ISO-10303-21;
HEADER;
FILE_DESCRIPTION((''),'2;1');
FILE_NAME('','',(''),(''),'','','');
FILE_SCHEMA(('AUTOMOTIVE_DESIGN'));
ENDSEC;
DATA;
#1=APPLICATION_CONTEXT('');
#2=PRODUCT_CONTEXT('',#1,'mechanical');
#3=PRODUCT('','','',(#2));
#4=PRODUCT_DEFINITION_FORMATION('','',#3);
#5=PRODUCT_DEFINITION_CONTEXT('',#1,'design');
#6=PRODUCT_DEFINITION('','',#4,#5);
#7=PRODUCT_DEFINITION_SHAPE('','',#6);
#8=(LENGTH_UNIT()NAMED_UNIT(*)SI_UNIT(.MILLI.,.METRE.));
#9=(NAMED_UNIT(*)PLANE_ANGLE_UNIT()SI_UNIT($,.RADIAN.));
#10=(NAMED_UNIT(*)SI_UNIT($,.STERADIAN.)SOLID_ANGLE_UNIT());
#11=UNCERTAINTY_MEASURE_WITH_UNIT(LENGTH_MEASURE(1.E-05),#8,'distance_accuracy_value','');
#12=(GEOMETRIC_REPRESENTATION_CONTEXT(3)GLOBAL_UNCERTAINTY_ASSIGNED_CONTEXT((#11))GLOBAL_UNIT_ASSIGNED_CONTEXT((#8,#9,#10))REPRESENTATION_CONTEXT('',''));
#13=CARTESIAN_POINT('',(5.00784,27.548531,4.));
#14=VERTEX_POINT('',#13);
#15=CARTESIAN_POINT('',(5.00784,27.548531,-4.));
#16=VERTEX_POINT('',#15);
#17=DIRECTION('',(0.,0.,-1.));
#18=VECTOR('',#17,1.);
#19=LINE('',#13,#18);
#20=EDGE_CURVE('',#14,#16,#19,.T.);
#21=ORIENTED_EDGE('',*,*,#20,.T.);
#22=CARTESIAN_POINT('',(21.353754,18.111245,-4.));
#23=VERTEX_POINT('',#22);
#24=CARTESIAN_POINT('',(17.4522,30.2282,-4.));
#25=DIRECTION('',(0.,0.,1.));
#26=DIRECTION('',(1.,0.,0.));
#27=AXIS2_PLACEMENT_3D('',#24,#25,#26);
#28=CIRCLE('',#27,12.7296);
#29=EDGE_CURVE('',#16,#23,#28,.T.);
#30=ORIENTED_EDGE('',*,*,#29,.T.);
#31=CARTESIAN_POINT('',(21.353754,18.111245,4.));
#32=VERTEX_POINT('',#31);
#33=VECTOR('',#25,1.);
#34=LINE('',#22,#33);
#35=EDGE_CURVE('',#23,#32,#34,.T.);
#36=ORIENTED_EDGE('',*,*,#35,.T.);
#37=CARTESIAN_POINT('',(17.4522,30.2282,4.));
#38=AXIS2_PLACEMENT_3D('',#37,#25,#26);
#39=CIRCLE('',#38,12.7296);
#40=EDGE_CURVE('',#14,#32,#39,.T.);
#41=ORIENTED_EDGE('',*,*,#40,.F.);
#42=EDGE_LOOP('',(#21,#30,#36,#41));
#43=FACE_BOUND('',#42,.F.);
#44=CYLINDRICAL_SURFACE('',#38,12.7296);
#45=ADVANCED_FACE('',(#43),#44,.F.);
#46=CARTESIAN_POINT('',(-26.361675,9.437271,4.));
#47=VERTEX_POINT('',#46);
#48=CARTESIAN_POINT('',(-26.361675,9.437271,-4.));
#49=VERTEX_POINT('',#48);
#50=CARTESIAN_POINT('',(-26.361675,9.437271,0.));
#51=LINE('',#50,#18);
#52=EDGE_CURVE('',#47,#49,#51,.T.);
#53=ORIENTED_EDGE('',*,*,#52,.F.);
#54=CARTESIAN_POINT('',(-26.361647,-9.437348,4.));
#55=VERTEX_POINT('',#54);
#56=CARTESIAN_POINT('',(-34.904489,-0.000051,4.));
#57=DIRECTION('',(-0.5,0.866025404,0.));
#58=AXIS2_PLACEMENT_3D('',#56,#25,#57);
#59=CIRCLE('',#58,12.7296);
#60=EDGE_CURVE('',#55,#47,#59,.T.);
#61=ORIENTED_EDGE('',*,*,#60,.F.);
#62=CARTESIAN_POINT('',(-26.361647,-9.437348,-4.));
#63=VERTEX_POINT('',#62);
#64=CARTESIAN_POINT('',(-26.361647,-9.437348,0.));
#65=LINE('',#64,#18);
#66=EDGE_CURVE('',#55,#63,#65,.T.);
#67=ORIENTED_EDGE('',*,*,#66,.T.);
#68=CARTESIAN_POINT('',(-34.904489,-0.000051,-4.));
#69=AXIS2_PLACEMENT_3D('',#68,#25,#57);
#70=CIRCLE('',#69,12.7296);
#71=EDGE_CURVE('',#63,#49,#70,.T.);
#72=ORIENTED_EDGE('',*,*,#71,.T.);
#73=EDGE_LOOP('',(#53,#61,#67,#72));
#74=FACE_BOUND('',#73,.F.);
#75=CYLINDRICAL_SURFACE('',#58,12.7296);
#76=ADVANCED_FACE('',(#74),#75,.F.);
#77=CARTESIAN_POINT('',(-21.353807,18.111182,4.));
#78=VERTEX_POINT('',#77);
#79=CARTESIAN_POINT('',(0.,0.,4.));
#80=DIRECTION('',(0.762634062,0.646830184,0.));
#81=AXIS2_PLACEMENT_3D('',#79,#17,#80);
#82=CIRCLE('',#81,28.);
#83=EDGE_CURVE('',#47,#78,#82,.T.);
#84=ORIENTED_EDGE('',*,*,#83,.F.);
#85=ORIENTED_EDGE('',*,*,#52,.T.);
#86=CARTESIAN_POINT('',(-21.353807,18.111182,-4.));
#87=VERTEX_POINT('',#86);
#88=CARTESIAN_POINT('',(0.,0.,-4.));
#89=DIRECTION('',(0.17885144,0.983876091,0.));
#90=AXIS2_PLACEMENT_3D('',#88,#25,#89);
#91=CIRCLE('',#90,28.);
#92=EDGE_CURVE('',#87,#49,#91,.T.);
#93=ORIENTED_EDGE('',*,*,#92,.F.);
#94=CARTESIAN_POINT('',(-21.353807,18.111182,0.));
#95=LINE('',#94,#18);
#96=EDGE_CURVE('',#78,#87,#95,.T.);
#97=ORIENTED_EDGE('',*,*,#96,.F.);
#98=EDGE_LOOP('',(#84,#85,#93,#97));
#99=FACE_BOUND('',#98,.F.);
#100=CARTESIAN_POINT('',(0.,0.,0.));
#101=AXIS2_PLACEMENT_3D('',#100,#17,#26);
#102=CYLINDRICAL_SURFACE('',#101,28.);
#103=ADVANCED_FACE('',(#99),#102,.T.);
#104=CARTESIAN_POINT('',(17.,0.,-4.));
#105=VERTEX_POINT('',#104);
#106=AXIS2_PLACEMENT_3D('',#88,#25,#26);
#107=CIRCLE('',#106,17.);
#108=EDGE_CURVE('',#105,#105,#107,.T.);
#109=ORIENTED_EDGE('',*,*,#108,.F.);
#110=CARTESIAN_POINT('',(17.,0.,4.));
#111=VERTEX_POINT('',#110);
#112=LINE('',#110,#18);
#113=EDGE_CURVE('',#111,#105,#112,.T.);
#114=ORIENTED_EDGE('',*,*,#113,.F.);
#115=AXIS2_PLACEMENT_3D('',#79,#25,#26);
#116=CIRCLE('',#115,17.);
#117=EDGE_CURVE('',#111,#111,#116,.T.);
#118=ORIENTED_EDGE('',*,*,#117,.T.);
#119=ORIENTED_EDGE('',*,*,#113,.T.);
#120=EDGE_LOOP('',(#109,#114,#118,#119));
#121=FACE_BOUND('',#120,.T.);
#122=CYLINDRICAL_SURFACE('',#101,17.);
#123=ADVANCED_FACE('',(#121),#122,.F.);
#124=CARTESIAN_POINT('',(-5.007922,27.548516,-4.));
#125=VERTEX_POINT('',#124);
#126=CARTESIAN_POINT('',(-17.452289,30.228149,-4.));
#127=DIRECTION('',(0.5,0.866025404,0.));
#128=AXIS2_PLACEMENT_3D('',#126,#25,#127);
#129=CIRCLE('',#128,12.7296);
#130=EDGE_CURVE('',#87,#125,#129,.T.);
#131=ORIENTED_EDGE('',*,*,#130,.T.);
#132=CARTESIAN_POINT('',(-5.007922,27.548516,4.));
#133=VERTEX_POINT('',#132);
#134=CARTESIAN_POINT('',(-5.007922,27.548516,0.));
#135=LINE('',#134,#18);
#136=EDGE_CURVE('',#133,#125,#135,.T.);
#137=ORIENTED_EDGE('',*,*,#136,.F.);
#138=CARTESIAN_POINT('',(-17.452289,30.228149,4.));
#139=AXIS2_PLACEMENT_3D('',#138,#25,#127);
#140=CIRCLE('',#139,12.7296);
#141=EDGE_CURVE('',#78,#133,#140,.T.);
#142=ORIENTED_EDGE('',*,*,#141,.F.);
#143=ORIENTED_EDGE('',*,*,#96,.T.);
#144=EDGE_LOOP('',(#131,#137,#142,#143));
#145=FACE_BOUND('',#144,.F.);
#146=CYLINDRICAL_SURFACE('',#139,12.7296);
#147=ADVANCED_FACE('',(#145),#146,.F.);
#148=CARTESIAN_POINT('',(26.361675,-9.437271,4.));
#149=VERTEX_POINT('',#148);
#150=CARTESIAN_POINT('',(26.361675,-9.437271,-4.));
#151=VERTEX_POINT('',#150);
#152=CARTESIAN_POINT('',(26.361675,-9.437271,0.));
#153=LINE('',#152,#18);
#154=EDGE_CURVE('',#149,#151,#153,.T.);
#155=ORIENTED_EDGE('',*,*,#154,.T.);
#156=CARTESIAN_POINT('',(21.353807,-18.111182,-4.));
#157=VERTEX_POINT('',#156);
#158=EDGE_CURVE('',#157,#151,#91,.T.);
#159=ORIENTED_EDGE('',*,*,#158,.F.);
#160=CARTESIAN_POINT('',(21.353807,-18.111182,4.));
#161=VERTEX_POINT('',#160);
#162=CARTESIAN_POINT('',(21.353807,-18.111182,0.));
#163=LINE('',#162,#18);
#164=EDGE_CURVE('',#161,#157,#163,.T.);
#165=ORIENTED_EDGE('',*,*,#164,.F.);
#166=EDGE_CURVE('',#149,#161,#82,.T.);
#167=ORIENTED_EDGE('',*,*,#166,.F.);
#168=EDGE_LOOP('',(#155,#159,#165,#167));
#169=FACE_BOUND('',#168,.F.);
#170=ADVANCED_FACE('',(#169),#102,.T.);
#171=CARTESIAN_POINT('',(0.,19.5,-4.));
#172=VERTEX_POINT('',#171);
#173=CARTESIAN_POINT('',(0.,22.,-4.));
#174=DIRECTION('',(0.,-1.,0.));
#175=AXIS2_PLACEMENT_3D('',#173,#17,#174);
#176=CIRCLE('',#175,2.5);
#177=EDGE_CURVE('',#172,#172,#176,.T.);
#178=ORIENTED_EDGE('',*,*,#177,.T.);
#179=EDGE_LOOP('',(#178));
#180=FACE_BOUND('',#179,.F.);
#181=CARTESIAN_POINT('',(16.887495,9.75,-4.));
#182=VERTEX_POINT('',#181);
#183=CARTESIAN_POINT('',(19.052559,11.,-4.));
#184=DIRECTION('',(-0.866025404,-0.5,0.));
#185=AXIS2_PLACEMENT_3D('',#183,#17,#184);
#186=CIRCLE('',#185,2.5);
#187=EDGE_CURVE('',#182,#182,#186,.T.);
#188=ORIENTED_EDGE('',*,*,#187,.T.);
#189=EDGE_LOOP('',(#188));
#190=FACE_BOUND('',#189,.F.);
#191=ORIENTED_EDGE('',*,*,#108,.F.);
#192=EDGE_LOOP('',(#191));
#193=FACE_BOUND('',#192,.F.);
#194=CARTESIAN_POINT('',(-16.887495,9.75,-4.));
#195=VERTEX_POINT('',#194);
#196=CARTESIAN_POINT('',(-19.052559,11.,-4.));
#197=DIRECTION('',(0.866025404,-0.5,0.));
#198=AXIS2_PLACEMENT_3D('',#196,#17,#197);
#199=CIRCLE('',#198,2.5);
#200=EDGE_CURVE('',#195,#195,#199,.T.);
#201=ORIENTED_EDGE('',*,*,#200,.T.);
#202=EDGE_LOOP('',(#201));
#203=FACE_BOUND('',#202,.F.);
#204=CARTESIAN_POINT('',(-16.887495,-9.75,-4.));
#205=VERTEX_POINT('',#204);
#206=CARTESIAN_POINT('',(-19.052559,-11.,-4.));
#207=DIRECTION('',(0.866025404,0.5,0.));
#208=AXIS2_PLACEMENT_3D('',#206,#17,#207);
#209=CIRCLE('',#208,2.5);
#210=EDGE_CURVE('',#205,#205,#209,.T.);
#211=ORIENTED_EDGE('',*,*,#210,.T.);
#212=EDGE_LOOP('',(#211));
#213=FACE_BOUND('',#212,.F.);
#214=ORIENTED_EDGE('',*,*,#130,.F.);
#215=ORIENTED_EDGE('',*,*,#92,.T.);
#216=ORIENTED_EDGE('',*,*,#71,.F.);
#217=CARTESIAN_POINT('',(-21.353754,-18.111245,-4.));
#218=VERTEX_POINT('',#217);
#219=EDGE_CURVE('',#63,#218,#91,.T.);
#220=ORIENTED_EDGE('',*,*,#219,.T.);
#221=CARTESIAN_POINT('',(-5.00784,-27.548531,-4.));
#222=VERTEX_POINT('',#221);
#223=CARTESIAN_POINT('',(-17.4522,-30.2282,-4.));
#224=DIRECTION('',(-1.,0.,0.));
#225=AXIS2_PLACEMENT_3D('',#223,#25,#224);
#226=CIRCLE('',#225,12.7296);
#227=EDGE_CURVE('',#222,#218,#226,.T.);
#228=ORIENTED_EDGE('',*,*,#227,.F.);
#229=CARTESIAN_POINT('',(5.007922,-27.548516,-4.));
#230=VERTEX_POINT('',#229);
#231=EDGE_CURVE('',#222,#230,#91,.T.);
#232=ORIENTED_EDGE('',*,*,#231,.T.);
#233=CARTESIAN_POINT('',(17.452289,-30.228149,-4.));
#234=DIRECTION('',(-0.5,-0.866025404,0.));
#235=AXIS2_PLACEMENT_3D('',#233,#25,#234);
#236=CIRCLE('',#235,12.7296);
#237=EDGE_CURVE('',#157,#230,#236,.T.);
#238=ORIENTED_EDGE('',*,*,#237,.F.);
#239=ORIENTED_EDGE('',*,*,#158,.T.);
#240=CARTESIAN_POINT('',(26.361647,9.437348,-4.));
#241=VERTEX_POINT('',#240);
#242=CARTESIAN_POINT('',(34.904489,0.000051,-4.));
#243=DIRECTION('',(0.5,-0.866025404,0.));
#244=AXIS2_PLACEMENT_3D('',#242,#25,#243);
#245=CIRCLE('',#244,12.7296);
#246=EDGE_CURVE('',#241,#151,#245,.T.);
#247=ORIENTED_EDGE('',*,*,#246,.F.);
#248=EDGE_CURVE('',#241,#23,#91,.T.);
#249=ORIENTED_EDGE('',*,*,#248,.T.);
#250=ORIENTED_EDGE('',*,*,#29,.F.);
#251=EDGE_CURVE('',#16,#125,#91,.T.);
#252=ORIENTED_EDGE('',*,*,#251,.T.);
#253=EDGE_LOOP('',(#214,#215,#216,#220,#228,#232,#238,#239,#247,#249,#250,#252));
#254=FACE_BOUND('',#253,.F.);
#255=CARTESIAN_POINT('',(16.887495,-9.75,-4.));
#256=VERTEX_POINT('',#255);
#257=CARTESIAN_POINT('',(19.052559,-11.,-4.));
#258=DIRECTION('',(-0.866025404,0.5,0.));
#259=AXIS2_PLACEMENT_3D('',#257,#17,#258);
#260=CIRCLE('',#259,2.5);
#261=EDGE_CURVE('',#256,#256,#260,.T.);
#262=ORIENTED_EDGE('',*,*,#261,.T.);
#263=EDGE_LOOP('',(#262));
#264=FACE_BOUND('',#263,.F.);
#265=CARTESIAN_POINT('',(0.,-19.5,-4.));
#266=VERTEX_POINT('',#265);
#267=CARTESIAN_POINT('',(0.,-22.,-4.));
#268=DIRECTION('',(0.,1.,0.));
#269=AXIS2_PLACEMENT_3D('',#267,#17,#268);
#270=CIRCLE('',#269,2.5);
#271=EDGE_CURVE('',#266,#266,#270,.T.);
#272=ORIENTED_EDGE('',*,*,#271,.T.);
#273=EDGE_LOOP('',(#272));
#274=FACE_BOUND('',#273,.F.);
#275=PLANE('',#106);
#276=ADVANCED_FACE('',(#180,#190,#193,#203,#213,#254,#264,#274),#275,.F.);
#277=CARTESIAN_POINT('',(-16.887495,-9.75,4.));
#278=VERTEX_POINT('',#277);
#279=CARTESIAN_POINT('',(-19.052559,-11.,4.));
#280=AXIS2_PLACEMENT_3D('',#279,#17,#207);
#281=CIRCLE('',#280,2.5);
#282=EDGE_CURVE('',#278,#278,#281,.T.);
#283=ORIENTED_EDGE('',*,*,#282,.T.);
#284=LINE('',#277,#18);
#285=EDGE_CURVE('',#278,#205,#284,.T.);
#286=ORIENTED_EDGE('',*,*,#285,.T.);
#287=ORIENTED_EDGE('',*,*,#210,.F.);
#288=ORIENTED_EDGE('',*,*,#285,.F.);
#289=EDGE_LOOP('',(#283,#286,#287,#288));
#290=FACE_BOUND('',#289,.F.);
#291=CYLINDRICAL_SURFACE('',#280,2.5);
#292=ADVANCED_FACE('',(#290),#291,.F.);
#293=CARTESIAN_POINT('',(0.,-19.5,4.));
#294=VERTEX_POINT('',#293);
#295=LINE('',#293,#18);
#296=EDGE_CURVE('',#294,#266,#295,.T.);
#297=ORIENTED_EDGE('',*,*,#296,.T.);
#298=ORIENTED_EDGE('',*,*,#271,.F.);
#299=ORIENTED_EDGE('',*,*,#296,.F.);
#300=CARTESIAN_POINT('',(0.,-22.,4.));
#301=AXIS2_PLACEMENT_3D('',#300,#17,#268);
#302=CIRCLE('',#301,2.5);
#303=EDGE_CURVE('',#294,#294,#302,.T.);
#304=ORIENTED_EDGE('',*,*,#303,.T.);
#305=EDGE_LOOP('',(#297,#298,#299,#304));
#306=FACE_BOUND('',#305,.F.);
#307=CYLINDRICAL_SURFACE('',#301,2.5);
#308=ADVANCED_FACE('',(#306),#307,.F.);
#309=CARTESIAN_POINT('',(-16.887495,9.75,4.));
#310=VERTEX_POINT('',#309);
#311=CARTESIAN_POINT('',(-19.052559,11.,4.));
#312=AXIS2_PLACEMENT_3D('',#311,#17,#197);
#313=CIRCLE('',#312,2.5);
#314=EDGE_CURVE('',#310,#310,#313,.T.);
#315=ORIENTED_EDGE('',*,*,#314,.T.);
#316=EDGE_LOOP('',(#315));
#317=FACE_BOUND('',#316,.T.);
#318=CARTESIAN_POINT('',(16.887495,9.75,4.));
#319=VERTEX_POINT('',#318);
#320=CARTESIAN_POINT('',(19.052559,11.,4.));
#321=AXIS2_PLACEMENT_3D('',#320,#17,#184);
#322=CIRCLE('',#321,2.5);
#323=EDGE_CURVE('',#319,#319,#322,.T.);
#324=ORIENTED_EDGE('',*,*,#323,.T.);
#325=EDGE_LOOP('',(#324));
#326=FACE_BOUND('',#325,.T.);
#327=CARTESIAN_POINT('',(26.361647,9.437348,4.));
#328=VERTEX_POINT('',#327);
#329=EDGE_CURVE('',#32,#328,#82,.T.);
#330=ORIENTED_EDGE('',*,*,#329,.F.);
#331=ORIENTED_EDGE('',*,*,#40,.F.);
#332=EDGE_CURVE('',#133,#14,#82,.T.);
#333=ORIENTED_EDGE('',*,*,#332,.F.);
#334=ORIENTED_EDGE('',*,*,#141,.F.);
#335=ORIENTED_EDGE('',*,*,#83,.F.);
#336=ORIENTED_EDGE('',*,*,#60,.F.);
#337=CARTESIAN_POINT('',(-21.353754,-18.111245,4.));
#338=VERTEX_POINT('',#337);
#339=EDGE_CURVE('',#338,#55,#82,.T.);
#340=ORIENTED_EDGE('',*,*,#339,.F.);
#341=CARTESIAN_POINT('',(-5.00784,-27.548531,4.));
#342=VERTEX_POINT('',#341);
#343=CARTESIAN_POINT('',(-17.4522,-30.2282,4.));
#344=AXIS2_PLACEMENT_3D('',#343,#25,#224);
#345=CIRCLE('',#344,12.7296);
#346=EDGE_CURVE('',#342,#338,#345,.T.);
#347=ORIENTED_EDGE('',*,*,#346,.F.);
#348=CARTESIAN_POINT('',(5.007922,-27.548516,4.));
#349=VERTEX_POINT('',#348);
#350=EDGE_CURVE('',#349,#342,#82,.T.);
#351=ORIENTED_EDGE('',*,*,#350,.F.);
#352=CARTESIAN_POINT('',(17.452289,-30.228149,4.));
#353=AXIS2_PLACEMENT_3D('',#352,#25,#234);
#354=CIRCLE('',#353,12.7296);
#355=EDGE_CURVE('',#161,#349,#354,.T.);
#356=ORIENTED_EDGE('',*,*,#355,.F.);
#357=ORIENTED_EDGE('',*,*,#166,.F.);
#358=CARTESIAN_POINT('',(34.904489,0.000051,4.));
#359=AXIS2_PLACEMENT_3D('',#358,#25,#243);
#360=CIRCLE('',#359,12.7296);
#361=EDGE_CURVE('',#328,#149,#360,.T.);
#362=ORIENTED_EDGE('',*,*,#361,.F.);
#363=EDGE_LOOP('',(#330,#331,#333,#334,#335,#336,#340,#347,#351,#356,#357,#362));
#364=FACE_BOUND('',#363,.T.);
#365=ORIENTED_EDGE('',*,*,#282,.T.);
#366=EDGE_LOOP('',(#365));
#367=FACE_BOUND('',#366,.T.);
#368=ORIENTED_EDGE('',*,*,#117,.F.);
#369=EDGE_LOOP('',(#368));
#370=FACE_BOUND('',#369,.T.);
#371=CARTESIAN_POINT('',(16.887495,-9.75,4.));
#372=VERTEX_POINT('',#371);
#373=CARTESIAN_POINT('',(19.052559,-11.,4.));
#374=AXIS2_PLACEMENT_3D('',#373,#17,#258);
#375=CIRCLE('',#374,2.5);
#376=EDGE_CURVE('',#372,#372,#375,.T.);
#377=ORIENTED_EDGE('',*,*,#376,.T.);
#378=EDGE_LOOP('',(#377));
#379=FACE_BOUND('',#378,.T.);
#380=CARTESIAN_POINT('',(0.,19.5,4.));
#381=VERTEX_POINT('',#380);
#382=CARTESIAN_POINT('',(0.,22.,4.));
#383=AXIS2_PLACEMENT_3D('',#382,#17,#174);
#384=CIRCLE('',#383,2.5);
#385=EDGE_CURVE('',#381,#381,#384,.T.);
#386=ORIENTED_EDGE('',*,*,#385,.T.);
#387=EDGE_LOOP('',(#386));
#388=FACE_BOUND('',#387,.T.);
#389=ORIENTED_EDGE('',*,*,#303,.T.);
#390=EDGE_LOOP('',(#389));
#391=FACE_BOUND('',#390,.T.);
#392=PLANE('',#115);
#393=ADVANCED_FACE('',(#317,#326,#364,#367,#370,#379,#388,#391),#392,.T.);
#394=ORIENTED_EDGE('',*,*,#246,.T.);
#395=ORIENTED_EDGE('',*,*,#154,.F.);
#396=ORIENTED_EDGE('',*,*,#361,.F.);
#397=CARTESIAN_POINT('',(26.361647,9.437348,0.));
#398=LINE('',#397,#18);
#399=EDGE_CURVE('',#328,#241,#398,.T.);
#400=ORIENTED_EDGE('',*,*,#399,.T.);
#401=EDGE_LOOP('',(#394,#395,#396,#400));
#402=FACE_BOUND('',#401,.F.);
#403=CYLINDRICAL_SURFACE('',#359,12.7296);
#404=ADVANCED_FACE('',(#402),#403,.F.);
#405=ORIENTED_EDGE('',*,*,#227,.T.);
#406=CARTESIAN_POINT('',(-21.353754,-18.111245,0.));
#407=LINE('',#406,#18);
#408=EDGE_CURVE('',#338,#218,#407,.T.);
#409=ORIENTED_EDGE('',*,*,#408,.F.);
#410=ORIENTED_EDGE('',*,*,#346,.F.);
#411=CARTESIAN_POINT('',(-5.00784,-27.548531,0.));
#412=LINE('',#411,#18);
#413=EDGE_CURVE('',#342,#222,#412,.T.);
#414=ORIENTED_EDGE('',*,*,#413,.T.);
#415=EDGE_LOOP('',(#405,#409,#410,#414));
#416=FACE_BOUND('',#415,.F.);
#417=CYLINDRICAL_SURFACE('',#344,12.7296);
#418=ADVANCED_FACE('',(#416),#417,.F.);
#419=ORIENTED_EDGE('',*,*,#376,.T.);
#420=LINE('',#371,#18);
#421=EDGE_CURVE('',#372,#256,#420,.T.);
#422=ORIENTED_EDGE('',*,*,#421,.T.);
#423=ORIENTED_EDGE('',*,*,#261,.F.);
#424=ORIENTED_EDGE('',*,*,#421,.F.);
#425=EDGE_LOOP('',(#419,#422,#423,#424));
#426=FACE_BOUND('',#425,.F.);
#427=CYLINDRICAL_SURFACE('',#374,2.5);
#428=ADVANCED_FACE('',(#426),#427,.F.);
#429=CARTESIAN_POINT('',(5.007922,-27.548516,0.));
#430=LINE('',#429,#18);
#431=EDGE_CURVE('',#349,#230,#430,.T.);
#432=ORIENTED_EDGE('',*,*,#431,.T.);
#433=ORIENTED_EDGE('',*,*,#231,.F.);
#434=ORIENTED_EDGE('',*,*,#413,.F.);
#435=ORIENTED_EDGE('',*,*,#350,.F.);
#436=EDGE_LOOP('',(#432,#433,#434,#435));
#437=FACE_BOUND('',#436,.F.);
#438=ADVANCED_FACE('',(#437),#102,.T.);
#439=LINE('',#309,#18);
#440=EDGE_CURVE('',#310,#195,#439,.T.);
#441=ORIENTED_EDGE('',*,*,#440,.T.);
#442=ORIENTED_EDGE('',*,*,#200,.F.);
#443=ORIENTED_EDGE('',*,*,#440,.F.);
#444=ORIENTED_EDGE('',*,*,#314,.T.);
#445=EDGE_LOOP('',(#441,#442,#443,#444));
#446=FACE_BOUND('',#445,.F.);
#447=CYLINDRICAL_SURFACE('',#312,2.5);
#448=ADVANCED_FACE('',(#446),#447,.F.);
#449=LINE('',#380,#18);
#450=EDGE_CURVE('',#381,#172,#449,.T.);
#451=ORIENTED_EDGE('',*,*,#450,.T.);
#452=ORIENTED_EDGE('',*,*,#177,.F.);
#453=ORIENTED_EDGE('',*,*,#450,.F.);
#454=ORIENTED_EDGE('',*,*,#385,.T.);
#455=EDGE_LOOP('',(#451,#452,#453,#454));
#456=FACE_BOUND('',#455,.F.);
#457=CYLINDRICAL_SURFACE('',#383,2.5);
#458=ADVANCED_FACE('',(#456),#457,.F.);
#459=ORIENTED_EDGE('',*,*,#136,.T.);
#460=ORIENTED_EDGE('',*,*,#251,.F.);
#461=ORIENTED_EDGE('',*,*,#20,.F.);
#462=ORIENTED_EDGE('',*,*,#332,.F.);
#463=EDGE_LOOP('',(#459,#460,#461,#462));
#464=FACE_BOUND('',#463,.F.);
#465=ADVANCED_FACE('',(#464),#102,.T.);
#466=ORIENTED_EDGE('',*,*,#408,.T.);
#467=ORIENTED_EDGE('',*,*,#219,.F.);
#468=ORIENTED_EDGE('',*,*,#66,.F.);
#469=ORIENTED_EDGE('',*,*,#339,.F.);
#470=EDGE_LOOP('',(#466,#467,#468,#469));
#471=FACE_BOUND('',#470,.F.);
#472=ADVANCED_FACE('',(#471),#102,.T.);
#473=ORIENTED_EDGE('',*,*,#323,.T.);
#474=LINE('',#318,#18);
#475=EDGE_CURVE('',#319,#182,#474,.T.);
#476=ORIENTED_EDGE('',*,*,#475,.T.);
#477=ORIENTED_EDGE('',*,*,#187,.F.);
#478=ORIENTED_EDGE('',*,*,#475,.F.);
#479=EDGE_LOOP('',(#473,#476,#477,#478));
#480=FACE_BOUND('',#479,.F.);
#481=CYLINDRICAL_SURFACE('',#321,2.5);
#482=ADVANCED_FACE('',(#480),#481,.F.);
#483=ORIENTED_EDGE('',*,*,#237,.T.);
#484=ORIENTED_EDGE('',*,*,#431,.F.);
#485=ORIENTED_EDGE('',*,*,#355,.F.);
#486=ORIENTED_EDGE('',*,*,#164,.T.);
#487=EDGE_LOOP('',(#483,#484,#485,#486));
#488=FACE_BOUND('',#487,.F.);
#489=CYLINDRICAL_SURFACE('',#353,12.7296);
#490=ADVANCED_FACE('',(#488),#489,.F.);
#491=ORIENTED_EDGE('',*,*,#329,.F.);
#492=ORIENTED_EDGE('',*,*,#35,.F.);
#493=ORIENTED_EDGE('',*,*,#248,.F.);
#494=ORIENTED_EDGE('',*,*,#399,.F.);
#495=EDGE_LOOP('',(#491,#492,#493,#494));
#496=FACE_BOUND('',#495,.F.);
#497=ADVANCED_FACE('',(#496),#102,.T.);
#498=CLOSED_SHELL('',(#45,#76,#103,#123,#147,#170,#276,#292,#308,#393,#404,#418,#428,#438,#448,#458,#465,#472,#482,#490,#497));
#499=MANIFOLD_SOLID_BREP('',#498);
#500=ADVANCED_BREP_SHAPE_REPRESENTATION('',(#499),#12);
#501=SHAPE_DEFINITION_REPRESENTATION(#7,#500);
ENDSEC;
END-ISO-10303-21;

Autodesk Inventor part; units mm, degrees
ref_plane "YZ Plane" through (0, 0, 0) normal (1, 0, 0) x (0, 1, 0)
ref_plane "XZ Plane" through (0, 0, 0) normal (0, 1, 0) x (-1, 0, 0)
ref_plane "XY Plane" through (0, 0, 0) normal (0, 0, 1) x (1, 0, 0)
sketch "Sketch1" plane through (0, 0, 0) normal (0, 0, 1) x (1, 0, 0)
  circle A0 centre (0, 0) radius 28
  circle A1 centre (0, 0) radius 17
  point P0 (0, 22)
  dimension "d0" = 22
  dimension "d1" = 34
  dimension "d20" = 56
extrude "Extrusion1" add sketch "Sketch1" along normal mid plane 8
sketch "Sketch2" plane through (0, 0, 4) normal (0, 0, 1) x (1, 0, 0)
  point P0 (0, 0)
  point P1 (0, 22)
  dimension "d4" = 22
hole "Hole1" at (0, 22, 4) direction (0, 0, -1) diameter 5 end through all
pattern_circular "Circular Pattern1" count 6 over 360 about axis through (0, 0, -10) along (0, 0, 1) of "Hole1"
sketch "Sketch3" plane through (0, 0, 4) normal (0, 0, 1) x (1, 0, 0)
  circle A0 centre (0, 22) radius 2.5 projected
  circle A1 centre (19.0526, 11) radius 2.5 projected
  line L0 (0, 22) -> (19.0526, 11) construction
  circle A2 centre (17.4522, 30.2282) radius 12.7296
  line L1 (9.5263, 16.5) -> (19.9795, 34.6056) construction
  point P0 (0, 0)
extrude "Extrusion2" cut sketch "Sketch3" against normal blind 8 contours A2
pattern_circular "Circular Pattern2" count 6 over 360 about axis through (0, 0, -10) along (0, 0, 1) of "Extrusion2"
properties part number "Spacer8mm"
